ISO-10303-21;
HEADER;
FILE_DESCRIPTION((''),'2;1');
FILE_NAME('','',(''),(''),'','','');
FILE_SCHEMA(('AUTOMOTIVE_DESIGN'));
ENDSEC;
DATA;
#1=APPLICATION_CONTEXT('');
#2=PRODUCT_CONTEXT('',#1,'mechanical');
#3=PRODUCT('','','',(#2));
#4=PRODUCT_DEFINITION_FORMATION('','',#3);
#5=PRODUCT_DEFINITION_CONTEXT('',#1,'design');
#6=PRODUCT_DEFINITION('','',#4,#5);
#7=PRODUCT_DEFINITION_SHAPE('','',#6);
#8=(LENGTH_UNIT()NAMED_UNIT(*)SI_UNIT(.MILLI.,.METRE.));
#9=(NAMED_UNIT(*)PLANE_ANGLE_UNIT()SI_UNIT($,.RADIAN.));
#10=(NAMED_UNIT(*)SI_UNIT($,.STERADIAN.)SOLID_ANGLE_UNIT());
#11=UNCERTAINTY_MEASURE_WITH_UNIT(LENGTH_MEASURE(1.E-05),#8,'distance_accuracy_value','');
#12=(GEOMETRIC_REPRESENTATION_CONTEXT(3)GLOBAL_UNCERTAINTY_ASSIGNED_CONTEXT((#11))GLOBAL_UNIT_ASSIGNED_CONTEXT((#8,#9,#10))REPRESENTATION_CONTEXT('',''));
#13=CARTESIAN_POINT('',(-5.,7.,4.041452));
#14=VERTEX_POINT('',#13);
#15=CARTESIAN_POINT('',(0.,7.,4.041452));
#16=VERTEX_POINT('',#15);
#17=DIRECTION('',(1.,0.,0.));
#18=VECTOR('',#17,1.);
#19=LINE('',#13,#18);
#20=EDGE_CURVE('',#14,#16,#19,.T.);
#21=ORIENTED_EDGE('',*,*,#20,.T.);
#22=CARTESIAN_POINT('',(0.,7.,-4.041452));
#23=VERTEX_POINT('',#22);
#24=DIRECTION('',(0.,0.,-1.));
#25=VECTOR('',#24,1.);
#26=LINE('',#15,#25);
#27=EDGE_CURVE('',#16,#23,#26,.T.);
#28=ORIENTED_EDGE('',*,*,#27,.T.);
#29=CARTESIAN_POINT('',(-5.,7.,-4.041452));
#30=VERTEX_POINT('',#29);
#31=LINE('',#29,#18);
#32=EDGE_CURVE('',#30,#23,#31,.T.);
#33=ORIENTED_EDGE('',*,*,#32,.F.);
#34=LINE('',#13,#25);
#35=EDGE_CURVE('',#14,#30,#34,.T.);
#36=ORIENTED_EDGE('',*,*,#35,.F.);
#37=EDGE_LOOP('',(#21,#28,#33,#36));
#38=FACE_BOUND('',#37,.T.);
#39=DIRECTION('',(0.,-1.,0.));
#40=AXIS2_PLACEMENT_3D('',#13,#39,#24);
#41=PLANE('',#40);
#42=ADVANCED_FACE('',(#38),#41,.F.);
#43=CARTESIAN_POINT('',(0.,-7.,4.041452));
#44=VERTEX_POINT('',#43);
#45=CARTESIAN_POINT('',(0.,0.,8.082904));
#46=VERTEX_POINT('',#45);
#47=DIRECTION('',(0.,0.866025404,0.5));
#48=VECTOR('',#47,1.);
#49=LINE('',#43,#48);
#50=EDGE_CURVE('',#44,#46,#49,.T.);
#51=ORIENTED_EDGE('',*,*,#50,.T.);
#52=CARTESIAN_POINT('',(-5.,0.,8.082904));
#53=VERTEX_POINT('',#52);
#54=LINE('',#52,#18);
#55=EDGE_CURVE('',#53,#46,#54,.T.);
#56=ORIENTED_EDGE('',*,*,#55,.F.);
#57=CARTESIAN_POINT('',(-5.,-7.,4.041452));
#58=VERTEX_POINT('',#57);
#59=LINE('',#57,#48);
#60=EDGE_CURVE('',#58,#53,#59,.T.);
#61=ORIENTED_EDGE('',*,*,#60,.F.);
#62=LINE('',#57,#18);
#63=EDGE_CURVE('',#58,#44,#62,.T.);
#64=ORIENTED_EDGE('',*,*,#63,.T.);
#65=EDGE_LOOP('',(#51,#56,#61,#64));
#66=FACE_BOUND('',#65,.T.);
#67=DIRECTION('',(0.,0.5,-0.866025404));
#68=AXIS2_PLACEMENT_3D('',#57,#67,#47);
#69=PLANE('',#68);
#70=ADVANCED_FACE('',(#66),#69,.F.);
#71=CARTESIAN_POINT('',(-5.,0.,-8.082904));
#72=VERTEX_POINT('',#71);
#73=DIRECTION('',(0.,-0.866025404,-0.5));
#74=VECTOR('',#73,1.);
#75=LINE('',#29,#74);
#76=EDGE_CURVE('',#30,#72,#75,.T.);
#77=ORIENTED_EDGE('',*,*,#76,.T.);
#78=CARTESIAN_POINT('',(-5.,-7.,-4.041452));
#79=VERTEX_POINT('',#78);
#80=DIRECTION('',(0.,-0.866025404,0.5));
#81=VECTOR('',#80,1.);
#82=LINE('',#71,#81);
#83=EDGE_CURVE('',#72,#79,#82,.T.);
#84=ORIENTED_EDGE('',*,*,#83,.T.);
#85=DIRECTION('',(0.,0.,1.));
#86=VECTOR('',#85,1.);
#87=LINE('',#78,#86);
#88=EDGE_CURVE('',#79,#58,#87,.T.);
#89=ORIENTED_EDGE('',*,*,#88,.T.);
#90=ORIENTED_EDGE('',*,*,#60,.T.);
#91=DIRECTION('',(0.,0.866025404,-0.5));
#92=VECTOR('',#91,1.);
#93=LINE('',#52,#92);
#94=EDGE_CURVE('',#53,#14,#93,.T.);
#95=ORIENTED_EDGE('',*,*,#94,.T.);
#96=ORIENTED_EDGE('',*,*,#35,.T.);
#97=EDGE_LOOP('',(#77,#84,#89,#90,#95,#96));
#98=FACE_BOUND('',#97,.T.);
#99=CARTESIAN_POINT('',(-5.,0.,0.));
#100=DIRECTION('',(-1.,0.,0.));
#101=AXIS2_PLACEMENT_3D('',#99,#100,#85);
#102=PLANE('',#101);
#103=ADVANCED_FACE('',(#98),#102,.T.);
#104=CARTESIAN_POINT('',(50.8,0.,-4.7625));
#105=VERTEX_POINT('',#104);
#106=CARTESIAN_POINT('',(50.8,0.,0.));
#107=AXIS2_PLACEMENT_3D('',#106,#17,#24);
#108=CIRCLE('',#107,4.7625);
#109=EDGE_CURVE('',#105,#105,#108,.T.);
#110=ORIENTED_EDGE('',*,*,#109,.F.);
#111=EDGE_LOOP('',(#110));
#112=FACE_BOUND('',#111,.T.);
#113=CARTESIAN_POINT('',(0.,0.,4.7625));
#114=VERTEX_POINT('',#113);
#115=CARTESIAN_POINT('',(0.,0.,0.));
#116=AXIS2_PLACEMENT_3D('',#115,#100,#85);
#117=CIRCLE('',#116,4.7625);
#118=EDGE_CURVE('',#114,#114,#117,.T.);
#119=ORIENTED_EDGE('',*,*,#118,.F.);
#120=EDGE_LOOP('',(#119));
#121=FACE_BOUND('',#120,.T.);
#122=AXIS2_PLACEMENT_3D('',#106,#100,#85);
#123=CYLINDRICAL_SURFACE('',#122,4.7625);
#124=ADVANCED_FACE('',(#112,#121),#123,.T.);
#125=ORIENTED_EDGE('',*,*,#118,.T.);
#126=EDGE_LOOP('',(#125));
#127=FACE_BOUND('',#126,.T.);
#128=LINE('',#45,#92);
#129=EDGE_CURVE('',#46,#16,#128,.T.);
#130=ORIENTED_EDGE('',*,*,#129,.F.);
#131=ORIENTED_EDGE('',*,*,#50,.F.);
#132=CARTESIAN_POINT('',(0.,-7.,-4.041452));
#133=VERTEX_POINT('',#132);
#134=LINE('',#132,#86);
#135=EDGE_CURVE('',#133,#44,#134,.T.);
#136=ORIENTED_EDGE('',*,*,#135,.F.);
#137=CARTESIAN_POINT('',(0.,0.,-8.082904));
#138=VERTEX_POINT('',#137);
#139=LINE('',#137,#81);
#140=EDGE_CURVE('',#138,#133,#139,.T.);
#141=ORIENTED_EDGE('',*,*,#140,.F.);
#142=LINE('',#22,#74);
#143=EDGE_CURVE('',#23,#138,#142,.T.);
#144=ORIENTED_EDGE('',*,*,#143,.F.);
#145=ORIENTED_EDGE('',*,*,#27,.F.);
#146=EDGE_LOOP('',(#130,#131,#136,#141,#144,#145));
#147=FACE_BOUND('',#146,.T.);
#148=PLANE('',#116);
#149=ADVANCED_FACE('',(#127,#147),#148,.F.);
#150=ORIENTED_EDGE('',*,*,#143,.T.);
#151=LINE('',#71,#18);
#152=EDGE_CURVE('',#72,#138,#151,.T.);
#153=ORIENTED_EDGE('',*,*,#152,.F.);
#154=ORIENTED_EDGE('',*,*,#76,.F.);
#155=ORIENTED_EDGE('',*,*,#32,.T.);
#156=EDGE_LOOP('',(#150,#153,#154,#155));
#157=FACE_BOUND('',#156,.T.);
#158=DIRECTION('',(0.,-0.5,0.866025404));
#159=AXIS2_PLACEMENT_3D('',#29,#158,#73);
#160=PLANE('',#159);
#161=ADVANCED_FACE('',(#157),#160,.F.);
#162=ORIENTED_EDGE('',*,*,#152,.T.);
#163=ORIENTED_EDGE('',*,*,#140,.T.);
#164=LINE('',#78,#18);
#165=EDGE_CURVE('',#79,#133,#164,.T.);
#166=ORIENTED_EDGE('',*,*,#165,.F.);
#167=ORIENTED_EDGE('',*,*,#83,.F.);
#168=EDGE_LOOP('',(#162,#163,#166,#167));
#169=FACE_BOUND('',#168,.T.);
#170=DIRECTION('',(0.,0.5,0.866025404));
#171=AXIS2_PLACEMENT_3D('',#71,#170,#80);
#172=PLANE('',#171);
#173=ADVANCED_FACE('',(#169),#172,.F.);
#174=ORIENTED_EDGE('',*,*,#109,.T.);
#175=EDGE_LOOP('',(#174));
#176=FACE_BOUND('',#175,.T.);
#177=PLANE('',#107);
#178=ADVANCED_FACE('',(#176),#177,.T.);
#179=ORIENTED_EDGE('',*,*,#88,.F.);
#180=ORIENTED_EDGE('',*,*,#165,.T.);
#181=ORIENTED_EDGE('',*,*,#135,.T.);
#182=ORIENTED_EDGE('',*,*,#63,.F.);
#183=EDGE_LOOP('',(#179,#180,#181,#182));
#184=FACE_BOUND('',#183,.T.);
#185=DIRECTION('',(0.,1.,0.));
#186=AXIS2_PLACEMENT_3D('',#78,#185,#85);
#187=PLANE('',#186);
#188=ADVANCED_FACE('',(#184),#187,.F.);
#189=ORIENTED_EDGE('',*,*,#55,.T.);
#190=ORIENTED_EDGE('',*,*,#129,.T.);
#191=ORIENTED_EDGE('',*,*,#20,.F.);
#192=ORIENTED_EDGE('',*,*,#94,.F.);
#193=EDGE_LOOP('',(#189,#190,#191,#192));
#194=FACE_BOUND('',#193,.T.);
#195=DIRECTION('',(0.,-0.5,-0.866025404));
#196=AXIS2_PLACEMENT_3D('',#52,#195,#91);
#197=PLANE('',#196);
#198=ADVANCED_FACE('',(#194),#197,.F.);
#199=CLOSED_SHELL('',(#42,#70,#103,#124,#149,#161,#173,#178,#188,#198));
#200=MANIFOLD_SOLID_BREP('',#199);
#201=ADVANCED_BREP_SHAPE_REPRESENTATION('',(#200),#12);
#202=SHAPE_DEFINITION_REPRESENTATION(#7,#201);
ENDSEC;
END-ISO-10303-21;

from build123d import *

# Parameters (mm, degrees)
SKETCH1_R           = 4.7625
BOSS_EXTRUDE1_DEPTH = 50.8
BOSS_EXTRUDE2_DEPTH = 5


with BuildPart() as part:
    # Sketch1 → Boss-Extrude1 (new body)
    with BuildSketch(Plane(origin=(0, 0, 0), x_dir=(0, 0, -1), z_dir=(1, 0, 0))):
        Circle(SKETCH1_R)
    extrude(amount=BOSS_EXTRUDE1_DEPTH)

    # Sketch2 → Boss-Extrude2 (add)
    with BuildSketch(Plane.ZY):
        Polygon((8.082903769, 0), (4.041451884, 7), (-4.041451884, 7), (-8.082903769, 0), (-4.041451884, -7), (4.041451884, -7), align=None)
    extrude(amount=BOSS_EXTRUDE2_DEPTH)


solid = part.part
